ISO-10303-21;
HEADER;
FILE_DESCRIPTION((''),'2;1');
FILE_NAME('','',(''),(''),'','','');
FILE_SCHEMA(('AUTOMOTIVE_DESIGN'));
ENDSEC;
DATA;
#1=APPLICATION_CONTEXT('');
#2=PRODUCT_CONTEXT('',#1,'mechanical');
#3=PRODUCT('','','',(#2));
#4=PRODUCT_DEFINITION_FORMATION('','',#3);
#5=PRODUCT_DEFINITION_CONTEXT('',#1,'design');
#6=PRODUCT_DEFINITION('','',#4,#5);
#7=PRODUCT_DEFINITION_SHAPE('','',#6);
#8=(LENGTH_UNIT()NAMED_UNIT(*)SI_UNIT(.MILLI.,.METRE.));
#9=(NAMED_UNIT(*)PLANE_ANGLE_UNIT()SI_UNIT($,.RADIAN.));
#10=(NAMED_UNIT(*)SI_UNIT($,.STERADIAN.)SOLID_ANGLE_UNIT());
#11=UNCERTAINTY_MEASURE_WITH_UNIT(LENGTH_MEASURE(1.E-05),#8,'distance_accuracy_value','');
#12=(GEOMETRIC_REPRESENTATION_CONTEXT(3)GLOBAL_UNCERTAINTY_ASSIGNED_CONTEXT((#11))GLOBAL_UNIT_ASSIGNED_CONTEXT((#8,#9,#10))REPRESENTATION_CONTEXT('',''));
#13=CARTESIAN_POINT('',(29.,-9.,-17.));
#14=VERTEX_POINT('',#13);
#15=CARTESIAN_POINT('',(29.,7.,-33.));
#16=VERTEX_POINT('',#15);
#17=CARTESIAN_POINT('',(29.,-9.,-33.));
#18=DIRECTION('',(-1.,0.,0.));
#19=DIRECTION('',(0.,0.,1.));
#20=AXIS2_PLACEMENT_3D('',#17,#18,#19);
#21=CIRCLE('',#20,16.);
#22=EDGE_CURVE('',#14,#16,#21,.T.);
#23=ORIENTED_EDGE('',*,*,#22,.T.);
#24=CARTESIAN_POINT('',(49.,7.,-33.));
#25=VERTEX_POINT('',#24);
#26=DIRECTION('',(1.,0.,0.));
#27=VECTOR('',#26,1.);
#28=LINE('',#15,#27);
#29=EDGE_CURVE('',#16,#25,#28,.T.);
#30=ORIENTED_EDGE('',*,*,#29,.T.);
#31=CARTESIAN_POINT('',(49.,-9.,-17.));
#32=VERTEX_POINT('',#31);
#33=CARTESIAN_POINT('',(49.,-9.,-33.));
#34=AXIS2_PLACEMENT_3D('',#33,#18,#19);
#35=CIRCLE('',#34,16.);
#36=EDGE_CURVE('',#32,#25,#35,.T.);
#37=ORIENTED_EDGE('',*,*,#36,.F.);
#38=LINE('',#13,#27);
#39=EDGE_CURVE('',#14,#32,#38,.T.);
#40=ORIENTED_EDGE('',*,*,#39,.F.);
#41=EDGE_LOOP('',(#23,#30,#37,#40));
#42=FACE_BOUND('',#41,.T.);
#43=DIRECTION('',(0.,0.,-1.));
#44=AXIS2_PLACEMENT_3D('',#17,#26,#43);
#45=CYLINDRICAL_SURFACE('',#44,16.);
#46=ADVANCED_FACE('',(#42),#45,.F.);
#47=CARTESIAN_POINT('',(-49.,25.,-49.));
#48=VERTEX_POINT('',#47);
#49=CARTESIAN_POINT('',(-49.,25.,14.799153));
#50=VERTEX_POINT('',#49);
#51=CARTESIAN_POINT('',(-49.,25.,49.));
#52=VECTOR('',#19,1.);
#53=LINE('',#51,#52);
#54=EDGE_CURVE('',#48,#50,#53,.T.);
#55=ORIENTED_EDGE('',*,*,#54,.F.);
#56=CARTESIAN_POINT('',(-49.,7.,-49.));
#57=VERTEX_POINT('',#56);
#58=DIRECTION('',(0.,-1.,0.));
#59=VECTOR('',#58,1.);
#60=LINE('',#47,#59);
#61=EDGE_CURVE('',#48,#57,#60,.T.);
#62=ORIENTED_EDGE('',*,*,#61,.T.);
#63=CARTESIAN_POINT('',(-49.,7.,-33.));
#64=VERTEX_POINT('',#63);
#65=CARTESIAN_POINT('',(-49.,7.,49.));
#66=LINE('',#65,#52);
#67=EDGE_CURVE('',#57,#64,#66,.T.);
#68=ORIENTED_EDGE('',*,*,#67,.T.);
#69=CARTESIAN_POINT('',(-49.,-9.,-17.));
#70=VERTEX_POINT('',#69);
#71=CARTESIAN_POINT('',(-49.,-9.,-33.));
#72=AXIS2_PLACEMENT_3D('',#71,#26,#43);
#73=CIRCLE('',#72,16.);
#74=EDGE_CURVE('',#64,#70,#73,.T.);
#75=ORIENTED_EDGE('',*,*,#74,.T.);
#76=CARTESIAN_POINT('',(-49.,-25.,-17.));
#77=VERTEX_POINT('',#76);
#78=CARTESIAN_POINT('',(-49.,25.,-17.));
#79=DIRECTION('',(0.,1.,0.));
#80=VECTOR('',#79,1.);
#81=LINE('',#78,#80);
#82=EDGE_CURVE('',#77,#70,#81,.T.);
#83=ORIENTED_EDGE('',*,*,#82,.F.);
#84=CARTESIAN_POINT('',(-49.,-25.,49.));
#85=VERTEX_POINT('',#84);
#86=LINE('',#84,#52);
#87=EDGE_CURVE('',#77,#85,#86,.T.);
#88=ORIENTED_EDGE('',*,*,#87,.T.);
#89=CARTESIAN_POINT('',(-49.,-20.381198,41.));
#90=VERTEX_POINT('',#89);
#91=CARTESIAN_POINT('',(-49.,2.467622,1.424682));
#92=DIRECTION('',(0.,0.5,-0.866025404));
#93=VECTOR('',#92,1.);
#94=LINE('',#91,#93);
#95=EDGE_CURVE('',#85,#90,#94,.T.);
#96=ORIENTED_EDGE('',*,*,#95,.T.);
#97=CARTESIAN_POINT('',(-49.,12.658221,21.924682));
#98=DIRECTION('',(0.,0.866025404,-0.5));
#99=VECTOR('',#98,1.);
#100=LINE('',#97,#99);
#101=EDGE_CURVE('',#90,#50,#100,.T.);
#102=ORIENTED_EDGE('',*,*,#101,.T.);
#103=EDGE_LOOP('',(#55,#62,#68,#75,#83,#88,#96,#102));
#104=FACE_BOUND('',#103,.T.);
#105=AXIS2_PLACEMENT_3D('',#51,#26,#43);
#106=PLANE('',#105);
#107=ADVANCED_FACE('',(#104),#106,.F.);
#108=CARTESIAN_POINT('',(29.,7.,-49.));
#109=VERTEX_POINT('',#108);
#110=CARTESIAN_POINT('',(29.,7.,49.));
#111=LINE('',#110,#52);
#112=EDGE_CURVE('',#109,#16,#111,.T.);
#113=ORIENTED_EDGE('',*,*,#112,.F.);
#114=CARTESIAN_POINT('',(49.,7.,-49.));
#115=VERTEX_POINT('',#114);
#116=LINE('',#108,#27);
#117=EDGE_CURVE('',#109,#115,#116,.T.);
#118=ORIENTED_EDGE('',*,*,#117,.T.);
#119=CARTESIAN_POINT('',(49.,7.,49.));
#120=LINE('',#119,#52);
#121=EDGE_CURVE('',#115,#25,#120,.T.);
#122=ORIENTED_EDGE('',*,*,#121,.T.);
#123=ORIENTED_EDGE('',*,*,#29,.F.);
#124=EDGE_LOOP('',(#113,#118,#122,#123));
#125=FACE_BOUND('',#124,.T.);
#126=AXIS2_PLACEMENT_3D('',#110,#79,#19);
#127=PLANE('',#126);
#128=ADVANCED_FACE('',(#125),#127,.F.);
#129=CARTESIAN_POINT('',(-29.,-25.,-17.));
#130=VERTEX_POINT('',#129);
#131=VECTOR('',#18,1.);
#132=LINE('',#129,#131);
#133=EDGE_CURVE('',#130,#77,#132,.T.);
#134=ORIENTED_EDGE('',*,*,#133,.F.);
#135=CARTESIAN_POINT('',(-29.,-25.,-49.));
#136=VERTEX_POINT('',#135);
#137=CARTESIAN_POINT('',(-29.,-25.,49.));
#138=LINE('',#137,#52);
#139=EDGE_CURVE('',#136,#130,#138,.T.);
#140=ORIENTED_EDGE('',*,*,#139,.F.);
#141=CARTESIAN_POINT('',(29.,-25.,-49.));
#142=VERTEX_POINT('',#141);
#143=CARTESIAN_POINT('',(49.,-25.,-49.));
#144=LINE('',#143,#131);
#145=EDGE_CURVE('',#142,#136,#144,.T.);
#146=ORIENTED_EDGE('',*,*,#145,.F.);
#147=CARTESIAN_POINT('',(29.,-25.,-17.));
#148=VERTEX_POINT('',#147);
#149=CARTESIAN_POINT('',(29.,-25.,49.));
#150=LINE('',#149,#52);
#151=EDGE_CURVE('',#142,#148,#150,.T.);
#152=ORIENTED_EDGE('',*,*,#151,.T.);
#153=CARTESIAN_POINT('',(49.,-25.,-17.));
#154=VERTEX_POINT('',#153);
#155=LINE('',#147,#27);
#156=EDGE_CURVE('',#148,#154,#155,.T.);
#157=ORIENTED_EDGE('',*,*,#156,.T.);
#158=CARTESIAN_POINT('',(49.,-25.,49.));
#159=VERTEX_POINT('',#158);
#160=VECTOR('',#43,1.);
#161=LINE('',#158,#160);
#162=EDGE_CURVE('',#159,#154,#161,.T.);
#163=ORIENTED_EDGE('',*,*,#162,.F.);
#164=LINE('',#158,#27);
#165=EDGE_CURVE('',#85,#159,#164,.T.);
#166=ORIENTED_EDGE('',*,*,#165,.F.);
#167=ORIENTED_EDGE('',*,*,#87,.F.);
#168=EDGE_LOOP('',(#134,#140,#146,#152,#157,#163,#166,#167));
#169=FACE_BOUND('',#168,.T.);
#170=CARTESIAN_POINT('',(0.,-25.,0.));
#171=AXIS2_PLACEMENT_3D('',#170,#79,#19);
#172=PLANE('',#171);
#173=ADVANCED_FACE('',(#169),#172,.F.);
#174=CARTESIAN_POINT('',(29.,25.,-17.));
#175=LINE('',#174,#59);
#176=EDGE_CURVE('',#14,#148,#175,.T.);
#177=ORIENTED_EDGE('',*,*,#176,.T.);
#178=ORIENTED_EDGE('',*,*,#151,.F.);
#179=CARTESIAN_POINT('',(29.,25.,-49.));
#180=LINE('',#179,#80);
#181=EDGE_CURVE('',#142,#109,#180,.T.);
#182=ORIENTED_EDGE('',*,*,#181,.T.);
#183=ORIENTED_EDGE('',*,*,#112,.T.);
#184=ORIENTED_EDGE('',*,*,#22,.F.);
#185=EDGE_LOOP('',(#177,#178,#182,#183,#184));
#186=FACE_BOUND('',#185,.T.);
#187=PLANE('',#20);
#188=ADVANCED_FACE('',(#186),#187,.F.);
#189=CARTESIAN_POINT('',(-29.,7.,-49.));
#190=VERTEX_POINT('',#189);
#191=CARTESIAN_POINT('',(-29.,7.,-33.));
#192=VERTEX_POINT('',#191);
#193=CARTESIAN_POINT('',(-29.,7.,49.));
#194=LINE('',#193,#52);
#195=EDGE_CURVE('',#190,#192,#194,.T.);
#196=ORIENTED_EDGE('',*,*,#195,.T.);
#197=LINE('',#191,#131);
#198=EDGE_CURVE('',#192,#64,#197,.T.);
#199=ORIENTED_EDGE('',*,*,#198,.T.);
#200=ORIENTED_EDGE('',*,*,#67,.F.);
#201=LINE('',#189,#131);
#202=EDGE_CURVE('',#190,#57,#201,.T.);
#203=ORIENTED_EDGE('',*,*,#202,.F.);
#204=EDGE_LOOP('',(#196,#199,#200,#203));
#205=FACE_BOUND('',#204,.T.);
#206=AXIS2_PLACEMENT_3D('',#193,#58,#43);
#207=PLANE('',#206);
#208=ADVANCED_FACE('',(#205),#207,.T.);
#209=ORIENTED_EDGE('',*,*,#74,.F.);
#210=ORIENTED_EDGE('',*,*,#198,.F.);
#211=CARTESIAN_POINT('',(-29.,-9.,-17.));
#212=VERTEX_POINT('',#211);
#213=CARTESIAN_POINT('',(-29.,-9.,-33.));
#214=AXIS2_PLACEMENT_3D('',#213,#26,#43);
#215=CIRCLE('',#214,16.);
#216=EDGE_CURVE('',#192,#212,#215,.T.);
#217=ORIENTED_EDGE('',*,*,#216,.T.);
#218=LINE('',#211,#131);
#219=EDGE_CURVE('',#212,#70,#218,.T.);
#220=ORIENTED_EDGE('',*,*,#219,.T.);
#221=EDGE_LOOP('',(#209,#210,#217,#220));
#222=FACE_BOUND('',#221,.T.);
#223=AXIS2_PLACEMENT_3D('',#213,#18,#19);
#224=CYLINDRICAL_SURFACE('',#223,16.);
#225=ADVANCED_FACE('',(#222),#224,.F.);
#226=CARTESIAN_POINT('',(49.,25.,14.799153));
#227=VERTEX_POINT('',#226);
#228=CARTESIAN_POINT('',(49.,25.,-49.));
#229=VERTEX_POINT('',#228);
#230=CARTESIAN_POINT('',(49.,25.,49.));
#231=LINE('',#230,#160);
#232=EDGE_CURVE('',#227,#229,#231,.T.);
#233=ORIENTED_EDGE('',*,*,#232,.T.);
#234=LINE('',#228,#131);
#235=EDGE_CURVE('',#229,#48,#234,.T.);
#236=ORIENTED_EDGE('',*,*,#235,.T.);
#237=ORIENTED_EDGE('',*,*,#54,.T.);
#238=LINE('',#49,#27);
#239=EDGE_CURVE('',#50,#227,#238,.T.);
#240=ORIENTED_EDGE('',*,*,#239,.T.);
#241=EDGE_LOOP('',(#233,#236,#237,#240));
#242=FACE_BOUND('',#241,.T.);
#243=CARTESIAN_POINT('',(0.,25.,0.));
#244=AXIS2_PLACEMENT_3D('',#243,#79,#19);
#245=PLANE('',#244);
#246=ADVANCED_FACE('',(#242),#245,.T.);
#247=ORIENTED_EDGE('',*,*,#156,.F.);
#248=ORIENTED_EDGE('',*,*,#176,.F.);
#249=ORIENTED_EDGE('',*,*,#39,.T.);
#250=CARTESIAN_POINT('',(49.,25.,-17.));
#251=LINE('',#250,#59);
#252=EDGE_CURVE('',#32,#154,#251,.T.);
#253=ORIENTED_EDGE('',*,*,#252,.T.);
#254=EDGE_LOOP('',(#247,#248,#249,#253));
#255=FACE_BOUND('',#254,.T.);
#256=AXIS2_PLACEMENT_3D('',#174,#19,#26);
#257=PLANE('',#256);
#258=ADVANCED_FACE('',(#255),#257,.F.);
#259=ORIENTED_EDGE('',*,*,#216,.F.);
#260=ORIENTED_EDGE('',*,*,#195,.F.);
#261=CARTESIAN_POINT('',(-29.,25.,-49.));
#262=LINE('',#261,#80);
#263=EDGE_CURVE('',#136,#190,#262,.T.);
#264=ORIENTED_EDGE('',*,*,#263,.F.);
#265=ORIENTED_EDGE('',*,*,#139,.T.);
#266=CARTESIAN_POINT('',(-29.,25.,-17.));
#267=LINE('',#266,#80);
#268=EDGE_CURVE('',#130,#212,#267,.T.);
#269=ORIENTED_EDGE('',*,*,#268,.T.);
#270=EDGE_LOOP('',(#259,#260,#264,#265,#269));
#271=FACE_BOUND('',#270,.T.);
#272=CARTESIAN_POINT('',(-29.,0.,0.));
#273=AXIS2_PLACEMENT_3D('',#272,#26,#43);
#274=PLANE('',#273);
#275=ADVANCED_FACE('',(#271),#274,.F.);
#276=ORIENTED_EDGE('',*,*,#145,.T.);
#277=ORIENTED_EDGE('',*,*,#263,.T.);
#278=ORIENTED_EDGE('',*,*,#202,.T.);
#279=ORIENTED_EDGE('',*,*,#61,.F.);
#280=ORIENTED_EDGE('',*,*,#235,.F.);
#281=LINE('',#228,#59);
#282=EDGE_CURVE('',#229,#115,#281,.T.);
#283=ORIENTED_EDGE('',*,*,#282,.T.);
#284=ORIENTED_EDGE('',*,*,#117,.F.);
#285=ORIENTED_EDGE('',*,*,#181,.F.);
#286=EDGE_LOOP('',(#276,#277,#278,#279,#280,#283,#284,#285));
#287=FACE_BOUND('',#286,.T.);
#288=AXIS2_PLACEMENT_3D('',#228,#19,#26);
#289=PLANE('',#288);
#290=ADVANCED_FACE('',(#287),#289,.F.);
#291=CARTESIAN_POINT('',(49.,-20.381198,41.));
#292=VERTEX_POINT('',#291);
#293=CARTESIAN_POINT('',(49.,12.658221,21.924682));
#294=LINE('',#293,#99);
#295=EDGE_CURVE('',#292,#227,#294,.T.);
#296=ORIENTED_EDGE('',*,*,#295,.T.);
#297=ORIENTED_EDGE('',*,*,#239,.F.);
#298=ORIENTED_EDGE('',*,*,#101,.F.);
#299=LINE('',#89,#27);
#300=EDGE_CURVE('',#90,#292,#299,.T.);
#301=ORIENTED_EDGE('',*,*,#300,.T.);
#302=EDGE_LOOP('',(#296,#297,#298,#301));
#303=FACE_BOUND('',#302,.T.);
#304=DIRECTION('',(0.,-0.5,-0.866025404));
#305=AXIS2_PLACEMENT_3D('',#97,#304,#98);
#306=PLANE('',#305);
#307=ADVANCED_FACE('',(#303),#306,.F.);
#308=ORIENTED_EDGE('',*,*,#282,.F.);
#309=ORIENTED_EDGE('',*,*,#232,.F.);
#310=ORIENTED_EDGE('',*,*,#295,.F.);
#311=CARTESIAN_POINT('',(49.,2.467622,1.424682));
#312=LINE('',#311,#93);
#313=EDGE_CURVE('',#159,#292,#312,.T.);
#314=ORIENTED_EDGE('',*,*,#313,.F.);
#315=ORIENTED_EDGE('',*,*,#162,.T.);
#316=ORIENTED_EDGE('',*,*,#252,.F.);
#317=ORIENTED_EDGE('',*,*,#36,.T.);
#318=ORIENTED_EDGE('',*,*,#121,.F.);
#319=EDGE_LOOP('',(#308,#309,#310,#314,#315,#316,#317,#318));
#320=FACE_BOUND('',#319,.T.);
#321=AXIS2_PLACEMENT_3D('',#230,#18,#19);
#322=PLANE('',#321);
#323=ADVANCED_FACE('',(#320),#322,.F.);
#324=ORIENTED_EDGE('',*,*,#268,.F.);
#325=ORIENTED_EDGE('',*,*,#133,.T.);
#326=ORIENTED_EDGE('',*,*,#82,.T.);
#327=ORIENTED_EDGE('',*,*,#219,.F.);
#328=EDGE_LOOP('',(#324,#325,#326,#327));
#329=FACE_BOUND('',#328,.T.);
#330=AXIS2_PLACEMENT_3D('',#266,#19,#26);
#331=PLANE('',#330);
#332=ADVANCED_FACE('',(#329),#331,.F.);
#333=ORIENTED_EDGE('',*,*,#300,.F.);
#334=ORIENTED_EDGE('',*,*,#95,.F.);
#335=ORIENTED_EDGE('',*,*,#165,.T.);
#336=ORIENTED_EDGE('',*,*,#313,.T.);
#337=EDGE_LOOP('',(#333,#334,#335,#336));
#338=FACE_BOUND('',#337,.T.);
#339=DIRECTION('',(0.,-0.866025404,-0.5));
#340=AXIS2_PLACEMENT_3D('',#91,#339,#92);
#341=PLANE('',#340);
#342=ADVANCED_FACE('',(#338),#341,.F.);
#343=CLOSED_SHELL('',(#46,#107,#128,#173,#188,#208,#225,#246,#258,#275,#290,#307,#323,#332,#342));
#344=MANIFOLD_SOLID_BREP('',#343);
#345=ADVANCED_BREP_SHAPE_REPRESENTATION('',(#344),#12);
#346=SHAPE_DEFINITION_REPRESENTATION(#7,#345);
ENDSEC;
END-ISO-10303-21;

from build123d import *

# Parameters (mm, degrees)
ESBO_O1_W                  = 98
ESBO_O1_H                  = 98
RESSALTO_EXTRUS_O1_DEPTH   = 25
CORTE_EXTRUS_O4_DEPTH      = 74.668174947
CORTE_EXTRUS_O4_DEPTH_BACK = 74.668174947
CORTE_EXTRUS_O10_START     = 49
CORTE_EXTRUS_O10_DEPTH     = 20
CORTE_EXTRUS_O11_START     = -29
CORTE_EXTRUS_O11_DEPTH     = 20


with BuildPart() as part:
    # Esboço1 → Ressalto-extrusão1 (new, symmetric)
    with BuildSketch(Plane(origin=(0, 0, 0), x_dir=(1, 0, 0), z_dir=(0, 1, 0))):
        Rectangle(ESBO_O1_W, ESBO_O1_H)
    extrude(amount=RESSALTO_EXTRUS_O1_DEPTH, both=True)

    # Esboço2 → Corte-extrusão4 (cut, two sides: drawn at the far end of the back side and taken through both)
    with BuildSketch(Plane(origin=(0, 0, 0), x_dir=(0, 0, -1), z_dir=(1, 0, 0)).offset(-CORTE_EXTRUS_O4_DEPTH_BACK)):
        Polygon((-49, 25), (-49, -25), (-41, -20.381197846), (-14.799153207, 25), align=None)
    extrude(amount=CORTE_EXTRUS_O4_DEPTH + CORTE_EXTRUS_O4_DEPTH_BACK, mode=Mode.SUBTRACT)

    # Esboço7 → Corte-extrusão10 (cut)
    with BuildSketch(Plane(origin=(0, 0, 0), x_dir=(0, 0, -1), z_dir=(1, 0, 0)).offset(CORTE_EXTRUS_O10_START)):
        with BuildLine():
            ThreePointArc((33, -25), (44.313708499, -20.313708499), (49, -9))
            Line((49, -9), (33, -9))
            Line((33, -9), (33, -25))
        make_face()
        with BuildLine():
            ThreePointArc((33, 7), (44.313708499, 2.313708499), (49, -9))
            Line((49, -9), (49, 7))
            Line((49, 7), (33, 7))
        make_face()
        with BuildLine():
            Line((33, -9), (49, -9))
            ThreePointArc((49, -9), (44.313708499, 2.313708499), (33, 7))
            Line((33, 7), (33, -9))
        make_face()
        with BuildLine():
            Line((49, -25), (49, -9))
            ThreePointArc((49, -9), (44.313708499, -20.313708499), (33, -25))
            Line((33, -25), (49, -25))
        make_face()
        with BuildLine():
            Line((33, -25), (33, -9))
            Line((33, -9), (17, -9))
            ThreePointArc((17, -9), (21.686291501, -20.313708499), (33, -25))
        make_face()
        with BuildLine():
            Line((17, -9), (33, -9))
            Line((33, -9), (33, 7))
            ThreePointArc((33, 7), (21.686291501, 2.313708499), (17, -9))
        make_face()
        with BuildLine():
            Line((17, -25), (33, -25))
            ThreePointArc((33, -25), (21.686291501, -20.313708499), (17, -9))
            Line((17, -9), (17, -25))
        make_face()
    extrude(amount=-CORTE_EXTRUS_O10_DEPTH, mode=Mode.SUBTRACT)

    # Esboço9 → Corte-extrusão11 (cut)
    with BuildSketch(Plane(origin=(0, 0, 0), x_dir=(0, 0, -1), z_dir=(1, 0, 0)).offset(CORTE_EXTRUS_O11_START)):
        with BuildLine():
            Line((33, -25), (49, -25))
            Line((49, -25), (49, -9))
            ThreePointArc((49, -9), (44.313708499, -20.313708499), (33, -25))
        make_face()
        with BuildLine():
            ThreePointArc((17, -9), (21.686291501, -20.313708499), (33, -25))
            Line((33, -25), (33, -9))
            Line((33, -9), (17, -9))
        make_face()
        with BuildLine():
            Line((17, -25), (33, -25))
            ThreePointArc((33, -25), (21.686291501, -20.313708499), (17, -9))
            Line((17, -9), (17, -25))
        make_face()
        with BuildLine():
            Line((33, -9), (33, -25))
            ThreePointArc((33, -25), (44.313708499, -20.313708499), (49, -9))
            Line((49, -9), (33, -9))
        make_face()
        with BuildLine():
            ThreePointArc((33, 7), (44.313708499, 2.313708499), (49, -9))
            Line((49, -9), (49, 7))
            Line((49, 7), (33, 7))
        make_face()
        with BuildLine():
            Line((33, -9), (49, -9))
            ThreePointArc((49, -9), (44.313708499, 2.313708499), (33, 7))
            Line((33, 7), (33, -9))
        make_face()
        with BuildLine():
            Line((17, -9), (33, -9))
            Line((33, -9), (33, 7))
            ThreePointArc((33, 7), (21.686291501, 2.313708499), (17, -9))
        make_face()
    extrude(amount=-CORTE_EXTRUS_O11_DEPTH, mode=Mode.SUBTRACT)


solid = part.part
